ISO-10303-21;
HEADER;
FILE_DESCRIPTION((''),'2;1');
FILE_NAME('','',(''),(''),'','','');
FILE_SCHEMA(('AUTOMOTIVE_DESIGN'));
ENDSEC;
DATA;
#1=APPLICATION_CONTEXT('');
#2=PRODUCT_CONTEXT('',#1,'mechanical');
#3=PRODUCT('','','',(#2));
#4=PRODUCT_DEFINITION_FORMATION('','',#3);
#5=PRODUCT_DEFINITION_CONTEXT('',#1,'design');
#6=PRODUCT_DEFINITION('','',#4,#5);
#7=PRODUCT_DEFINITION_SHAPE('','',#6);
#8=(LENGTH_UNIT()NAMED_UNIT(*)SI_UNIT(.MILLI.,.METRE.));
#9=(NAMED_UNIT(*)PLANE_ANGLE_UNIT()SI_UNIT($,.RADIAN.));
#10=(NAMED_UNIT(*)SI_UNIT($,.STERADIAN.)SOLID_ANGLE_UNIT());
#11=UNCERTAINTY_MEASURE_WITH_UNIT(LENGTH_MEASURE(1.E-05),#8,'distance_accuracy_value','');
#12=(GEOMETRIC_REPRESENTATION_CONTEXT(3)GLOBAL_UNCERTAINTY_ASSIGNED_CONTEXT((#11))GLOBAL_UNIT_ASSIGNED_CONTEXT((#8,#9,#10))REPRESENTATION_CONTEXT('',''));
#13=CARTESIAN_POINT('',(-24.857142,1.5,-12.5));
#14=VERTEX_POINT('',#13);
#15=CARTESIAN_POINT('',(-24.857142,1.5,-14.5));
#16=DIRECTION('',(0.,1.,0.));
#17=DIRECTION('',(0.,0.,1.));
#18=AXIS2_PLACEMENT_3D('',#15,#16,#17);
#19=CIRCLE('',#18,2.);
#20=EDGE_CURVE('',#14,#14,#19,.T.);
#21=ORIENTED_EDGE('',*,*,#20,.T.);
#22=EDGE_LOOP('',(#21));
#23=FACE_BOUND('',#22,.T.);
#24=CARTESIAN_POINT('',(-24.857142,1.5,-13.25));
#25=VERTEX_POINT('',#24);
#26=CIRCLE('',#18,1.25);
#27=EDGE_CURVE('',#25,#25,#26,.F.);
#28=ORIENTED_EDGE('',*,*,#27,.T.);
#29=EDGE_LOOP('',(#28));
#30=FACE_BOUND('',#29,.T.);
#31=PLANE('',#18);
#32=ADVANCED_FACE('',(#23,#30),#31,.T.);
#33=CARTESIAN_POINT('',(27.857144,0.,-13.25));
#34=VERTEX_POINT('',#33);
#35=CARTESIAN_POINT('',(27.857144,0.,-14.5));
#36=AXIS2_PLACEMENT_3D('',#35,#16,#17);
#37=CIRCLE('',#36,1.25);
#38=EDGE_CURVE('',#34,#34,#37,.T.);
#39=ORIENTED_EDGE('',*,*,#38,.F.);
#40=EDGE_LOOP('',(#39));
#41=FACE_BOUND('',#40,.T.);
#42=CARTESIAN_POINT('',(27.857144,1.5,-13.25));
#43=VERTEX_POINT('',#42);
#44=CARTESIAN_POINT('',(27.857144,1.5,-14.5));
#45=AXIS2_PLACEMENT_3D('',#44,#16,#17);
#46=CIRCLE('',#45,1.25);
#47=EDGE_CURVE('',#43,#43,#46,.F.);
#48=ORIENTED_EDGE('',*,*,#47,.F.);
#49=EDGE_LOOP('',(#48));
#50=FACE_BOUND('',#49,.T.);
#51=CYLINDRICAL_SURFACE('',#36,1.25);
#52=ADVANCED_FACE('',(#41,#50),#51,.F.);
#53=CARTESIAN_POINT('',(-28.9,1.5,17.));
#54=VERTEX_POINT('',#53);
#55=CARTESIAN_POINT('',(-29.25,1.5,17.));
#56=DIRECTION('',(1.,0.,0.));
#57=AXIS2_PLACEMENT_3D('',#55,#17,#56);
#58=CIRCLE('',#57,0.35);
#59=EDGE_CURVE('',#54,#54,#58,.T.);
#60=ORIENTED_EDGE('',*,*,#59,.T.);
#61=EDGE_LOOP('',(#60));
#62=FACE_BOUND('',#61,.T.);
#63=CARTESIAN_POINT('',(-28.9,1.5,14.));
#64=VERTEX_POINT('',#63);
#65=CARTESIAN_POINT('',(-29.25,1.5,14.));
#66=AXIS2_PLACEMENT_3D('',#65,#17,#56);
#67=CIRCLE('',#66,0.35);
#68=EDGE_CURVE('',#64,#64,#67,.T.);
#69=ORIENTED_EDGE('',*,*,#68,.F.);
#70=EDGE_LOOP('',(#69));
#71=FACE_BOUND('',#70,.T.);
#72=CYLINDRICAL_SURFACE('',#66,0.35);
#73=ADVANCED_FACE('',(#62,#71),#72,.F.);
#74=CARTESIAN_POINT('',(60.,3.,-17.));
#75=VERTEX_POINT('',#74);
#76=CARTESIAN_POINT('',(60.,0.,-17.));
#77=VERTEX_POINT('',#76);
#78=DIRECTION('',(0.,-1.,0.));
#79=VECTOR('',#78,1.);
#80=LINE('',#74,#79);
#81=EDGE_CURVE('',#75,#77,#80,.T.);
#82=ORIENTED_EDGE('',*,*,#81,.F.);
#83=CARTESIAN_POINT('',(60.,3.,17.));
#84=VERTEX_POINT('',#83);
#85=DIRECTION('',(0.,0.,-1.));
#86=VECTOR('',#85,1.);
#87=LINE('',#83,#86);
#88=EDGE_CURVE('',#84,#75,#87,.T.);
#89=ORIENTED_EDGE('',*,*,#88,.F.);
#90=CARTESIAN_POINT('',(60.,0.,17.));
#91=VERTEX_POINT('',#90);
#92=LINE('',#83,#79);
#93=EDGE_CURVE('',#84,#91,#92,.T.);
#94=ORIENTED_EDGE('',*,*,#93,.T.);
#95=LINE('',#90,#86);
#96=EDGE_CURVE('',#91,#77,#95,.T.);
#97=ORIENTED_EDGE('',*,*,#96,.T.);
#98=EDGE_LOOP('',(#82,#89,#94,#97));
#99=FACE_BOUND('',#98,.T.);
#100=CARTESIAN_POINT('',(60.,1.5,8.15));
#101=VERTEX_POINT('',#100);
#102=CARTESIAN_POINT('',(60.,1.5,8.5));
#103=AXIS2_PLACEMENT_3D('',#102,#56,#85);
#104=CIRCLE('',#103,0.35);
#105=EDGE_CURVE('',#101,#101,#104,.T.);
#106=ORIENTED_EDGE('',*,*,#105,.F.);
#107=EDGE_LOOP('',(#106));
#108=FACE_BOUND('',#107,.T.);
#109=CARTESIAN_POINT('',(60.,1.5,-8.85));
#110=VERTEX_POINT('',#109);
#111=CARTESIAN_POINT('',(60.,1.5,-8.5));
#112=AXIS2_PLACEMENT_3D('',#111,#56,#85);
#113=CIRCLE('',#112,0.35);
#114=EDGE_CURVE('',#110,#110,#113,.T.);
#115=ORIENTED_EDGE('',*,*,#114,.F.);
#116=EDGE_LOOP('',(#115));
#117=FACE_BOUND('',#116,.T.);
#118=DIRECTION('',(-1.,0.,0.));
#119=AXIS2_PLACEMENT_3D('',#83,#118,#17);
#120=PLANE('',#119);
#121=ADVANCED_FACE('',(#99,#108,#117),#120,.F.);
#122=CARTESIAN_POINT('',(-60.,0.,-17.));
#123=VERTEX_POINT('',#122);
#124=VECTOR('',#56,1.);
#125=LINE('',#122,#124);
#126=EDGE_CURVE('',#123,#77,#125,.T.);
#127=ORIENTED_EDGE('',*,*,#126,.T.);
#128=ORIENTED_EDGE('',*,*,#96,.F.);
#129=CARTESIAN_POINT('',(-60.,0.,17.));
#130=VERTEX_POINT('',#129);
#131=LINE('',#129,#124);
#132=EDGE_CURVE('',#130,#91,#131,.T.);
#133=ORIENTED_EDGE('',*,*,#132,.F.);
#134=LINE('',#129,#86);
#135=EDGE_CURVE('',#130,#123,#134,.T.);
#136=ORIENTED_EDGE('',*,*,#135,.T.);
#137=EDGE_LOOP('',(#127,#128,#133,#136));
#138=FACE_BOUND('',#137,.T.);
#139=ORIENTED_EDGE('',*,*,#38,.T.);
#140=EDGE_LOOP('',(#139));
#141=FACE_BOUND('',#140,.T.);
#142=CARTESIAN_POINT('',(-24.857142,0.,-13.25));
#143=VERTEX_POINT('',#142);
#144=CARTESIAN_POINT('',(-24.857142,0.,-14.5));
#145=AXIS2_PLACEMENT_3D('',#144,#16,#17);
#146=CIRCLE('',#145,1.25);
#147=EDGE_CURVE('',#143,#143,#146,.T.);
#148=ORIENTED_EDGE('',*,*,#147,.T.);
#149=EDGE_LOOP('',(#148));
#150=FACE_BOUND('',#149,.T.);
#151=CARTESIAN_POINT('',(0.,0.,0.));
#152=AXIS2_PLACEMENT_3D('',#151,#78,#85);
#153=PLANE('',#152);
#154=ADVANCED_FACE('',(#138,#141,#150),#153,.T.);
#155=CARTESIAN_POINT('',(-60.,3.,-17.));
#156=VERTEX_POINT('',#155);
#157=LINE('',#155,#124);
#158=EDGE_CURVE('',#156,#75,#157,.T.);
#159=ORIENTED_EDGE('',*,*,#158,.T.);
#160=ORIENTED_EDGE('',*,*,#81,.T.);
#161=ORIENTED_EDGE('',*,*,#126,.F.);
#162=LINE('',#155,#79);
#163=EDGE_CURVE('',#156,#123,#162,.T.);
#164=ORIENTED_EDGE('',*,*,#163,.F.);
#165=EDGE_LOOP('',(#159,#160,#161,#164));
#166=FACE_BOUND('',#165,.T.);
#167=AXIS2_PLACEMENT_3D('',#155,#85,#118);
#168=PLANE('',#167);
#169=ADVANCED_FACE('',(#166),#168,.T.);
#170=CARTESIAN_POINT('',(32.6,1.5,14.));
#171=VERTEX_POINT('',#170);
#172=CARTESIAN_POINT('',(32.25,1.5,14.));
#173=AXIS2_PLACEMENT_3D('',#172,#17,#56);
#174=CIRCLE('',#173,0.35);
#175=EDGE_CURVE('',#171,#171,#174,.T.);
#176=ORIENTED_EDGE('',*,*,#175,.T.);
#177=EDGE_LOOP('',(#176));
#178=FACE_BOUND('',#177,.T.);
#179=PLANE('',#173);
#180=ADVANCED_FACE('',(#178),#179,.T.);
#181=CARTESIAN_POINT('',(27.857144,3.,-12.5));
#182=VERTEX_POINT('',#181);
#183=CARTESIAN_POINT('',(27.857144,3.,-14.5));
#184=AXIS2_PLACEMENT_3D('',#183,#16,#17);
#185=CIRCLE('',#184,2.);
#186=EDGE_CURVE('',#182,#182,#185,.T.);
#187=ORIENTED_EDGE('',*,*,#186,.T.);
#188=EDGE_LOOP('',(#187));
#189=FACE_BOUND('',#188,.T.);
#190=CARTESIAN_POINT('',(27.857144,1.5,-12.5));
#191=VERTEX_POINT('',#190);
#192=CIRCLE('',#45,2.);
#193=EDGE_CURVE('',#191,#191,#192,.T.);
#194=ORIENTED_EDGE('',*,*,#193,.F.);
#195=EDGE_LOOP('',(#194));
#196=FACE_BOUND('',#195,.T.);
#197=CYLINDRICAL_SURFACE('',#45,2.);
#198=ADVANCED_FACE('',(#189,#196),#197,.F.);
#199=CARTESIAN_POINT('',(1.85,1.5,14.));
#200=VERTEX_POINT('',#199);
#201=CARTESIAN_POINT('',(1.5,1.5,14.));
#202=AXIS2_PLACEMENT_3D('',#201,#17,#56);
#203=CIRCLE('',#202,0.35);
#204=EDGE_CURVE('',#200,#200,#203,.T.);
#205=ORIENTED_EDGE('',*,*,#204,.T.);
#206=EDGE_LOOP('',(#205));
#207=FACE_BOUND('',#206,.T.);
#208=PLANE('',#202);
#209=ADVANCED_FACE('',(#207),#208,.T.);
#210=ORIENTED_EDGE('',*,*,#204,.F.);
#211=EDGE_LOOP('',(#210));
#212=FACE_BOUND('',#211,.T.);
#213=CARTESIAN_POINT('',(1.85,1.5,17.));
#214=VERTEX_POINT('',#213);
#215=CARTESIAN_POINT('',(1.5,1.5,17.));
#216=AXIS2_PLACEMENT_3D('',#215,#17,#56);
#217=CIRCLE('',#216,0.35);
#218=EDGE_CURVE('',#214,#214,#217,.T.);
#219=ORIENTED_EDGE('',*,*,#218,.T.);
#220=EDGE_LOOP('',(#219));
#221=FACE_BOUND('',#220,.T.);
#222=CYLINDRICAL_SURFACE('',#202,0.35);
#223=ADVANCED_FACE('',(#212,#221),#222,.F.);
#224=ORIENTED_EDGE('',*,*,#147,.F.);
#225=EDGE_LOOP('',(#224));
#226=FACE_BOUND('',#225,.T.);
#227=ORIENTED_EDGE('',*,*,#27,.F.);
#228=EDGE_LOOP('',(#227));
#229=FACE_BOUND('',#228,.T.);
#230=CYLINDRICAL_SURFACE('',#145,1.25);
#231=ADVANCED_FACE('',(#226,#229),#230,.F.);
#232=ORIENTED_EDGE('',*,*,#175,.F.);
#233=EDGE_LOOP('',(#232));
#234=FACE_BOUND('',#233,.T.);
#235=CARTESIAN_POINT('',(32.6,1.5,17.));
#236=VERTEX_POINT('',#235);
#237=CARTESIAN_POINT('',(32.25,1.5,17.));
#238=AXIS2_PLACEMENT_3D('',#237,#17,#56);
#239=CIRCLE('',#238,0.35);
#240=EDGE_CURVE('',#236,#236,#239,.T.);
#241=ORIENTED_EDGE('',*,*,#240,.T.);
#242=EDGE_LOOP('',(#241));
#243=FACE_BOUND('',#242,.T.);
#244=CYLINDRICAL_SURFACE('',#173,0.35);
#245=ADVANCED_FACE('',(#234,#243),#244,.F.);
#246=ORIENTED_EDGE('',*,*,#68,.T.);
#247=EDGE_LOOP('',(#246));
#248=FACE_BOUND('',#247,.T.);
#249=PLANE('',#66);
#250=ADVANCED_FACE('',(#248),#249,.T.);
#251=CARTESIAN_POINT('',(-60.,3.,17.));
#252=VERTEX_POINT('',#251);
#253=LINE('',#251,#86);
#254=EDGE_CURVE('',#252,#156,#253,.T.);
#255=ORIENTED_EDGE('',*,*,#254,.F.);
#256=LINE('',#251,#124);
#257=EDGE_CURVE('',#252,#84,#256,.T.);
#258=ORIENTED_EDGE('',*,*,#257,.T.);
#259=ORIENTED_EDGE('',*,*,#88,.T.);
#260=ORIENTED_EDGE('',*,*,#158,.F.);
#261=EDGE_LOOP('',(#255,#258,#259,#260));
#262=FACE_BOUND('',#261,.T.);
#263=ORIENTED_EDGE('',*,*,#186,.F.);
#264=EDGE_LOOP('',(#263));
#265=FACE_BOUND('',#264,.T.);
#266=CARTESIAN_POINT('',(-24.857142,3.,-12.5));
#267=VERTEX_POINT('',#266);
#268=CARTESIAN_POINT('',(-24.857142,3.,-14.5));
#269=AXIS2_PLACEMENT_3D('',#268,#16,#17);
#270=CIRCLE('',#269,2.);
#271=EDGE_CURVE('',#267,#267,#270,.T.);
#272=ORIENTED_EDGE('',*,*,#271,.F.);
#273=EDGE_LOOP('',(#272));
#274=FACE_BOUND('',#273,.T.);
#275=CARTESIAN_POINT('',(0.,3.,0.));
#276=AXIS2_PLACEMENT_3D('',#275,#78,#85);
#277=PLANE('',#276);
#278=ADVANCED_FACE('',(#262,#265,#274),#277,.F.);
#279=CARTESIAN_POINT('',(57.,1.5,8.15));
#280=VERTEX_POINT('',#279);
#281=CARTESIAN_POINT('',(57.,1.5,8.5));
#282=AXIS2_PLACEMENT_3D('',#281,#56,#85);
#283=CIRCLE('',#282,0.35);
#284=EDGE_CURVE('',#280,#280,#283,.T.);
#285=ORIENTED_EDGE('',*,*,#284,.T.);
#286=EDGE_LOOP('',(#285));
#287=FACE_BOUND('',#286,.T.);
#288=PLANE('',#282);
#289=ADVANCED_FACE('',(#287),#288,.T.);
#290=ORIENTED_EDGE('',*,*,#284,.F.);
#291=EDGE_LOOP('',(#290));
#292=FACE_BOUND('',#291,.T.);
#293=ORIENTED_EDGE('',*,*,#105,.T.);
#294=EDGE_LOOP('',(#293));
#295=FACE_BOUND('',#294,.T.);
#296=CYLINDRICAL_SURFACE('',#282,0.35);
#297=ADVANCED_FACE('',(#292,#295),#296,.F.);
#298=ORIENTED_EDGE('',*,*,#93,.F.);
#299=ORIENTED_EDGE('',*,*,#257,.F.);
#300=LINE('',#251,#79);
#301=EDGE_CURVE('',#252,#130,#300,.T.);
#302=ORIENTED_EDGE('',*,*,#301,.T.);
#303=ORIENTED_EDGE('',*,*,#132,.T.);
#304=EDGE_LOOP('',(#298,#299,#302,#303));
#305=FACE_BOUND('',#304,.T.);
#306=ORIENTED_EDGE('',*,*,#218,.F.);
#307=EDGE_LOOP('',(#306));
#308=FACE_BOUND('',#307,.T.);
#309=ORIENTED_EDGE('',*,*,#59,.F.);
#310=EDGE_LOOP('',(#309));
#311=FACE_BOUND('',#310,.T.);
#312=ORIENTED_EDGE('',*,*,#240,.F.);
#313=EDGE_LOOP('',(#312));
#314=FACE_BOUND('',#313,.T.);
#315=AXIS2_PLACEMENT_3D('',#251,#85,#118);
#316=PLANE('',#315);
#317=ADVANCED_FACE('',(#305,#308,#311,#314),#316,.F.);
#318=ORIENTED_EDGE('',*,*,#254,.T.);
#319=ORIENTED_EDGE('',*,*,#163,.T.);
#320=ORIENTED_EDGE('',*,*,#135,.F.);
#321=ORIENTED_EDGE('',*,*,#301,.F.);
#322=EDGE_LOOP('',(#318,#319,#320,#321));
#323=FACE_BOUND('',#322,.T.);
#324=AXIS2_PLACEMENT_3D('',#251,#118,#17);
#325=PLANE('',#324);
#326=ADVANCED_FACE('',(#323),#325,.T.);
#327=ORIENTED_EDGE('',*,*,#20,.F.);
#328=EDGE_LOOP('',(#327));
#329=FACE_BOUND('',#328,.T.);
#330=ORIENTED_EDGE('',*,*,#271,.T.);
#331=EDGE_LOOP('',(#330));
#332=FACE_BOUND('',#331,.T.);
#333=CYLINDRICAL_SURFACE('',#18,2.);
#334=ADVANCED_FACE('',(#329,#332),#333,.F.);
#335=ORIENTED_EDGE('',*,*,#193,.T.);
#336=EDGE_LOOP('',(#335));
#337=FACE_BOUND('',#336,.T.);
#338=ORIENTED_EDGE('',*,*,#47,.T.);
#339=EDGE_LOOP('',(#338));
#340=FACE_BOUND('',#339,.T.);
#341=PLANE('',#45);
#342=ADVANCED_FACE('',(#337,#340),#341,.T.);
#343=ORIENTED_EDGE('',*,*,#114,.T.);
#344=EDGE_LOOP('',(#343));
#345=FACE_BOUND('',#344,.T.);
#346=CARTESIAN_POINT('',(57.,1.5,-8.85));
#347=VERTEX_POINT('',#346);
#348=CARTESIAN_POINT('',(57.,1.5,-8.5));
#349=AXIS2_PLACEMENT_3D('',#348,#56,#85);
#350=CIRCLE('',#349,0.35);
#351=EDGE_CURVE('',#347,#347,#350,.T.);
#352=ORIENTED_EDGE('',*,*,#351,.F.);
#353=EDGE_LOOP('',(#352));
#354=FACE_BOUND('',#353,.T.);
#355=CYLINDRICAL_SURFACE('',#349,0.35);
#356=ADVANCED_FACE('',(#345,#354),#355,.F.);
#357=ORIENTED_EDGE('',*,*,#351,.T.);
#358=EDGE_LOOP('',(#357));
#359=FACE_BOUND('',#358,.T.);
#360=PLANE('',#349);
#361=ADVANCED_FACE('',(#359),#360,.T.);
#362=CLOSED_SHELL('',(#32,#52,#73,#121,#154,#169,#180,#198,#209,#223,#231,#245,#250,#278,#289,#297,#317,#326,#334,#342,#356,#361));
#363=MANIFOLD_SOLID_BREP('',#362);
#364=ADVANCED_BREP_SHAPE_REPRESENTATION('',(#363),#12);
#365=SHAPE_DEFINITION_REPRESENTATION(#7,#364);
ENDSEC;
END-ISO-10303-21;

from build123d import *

# Parameters (mm, degrees)
SKETCH_1_W          = 120
SKETCH_1_H          = 34
EXTRUDE_1_DEPTH     = 3
SKETCH_2_R          = 1.25
CUT_EXTRUDE_1_DEPTH = 63.433965115
SKETCH_2_3_R        = 2
CUT_EXTRUDE_2_DEPTH = 1.5
SKETCH_3_R          = 0.35
CUT_EXTRUDE_3_DEPTH = 3
SKETCH_4_R          = 0.35
CUT_EXTRUDE_4_DEPTH = 3


with BuildPart() as part:
    # 草图1 → 凸台-拉伸1 (new body)
    with BuildSketch(Plane(origin=(0, 0, 0), x_dir=(1, 0, 0), z_dir=(0, 1, 0))):
        Rectangle(SKETCH_1_W, SKETCH_1_H)
    extrude(amount=EXTRUDE_1_DEPTH)

    # 草图2 → 切除-拉伸1 (cut, through all)
    with BuildSketch(Plane(origin=(0, 3, 0), x_dir=(1, 0, 0), z_dir=(0, 1, 0))):
        with Locations((-24.857141963, 14.500000041)):
            Circle(SKETCH_2_R)
        with Locations((27.857143751, 14.500000041)):
            Circle(SKETCH_2_R)
    extrude(amount=-CUT_EXTRUDE_1_DEPTH, mode=Mode.SUBTRACT)

    # 草图2<3> → 切除-拉伸2 (cut)
    with BuildSketch(Plane(origin=(0, 3, 0), x_dir=(1, 0, 0), z_dir=(0, 1, 0))):
        with Locations((-24.857141963, 14.500000041)):
            Circle(SKETCH_2_3_R)
        with Locations((27.857143751, 14.500000041)):
            Circle(SKETCH_2_3_R)
    extrude(amount=-CUT_EXTRUDE_2_DEPTH, mode=Mode.SUBTRACT)

    # 草图3 → 切除-拉伸3 (cut)
    with BuildSketch(Plane(origin=(60, 0, 0), x_dir=(0, 0, -1), z_dir=(1, 0, 0))):
        with Locations((-8.5, 1.5)):
            Circle(SKETCH_3_R)
        with Locations((8.5, 1.5)):
            Circle(SKETCH_3_R)
    extrude(amount=-CUT_EXTRUDE_3_DEPTH, mode=Mode.SUBTRACT)

    # 草图4 → 切除-拉伸4 (cut)
    with BuildSketch(Plane.XY.offset(17)):
        with Locations((-29.25, 1.5)):
            Circle(SKETCH_4_R)
        with Locations((1.5, 1.5)):
            Circle(SKETCH_4_R)
        with Locations((32.25, 1.5)):
            Circle(SKETCH_4_R)
    extrude(amount=-CUT_EXTRUDE_4_DEPTH, mode=Mode.SUBTRACT)


solid = part.part
